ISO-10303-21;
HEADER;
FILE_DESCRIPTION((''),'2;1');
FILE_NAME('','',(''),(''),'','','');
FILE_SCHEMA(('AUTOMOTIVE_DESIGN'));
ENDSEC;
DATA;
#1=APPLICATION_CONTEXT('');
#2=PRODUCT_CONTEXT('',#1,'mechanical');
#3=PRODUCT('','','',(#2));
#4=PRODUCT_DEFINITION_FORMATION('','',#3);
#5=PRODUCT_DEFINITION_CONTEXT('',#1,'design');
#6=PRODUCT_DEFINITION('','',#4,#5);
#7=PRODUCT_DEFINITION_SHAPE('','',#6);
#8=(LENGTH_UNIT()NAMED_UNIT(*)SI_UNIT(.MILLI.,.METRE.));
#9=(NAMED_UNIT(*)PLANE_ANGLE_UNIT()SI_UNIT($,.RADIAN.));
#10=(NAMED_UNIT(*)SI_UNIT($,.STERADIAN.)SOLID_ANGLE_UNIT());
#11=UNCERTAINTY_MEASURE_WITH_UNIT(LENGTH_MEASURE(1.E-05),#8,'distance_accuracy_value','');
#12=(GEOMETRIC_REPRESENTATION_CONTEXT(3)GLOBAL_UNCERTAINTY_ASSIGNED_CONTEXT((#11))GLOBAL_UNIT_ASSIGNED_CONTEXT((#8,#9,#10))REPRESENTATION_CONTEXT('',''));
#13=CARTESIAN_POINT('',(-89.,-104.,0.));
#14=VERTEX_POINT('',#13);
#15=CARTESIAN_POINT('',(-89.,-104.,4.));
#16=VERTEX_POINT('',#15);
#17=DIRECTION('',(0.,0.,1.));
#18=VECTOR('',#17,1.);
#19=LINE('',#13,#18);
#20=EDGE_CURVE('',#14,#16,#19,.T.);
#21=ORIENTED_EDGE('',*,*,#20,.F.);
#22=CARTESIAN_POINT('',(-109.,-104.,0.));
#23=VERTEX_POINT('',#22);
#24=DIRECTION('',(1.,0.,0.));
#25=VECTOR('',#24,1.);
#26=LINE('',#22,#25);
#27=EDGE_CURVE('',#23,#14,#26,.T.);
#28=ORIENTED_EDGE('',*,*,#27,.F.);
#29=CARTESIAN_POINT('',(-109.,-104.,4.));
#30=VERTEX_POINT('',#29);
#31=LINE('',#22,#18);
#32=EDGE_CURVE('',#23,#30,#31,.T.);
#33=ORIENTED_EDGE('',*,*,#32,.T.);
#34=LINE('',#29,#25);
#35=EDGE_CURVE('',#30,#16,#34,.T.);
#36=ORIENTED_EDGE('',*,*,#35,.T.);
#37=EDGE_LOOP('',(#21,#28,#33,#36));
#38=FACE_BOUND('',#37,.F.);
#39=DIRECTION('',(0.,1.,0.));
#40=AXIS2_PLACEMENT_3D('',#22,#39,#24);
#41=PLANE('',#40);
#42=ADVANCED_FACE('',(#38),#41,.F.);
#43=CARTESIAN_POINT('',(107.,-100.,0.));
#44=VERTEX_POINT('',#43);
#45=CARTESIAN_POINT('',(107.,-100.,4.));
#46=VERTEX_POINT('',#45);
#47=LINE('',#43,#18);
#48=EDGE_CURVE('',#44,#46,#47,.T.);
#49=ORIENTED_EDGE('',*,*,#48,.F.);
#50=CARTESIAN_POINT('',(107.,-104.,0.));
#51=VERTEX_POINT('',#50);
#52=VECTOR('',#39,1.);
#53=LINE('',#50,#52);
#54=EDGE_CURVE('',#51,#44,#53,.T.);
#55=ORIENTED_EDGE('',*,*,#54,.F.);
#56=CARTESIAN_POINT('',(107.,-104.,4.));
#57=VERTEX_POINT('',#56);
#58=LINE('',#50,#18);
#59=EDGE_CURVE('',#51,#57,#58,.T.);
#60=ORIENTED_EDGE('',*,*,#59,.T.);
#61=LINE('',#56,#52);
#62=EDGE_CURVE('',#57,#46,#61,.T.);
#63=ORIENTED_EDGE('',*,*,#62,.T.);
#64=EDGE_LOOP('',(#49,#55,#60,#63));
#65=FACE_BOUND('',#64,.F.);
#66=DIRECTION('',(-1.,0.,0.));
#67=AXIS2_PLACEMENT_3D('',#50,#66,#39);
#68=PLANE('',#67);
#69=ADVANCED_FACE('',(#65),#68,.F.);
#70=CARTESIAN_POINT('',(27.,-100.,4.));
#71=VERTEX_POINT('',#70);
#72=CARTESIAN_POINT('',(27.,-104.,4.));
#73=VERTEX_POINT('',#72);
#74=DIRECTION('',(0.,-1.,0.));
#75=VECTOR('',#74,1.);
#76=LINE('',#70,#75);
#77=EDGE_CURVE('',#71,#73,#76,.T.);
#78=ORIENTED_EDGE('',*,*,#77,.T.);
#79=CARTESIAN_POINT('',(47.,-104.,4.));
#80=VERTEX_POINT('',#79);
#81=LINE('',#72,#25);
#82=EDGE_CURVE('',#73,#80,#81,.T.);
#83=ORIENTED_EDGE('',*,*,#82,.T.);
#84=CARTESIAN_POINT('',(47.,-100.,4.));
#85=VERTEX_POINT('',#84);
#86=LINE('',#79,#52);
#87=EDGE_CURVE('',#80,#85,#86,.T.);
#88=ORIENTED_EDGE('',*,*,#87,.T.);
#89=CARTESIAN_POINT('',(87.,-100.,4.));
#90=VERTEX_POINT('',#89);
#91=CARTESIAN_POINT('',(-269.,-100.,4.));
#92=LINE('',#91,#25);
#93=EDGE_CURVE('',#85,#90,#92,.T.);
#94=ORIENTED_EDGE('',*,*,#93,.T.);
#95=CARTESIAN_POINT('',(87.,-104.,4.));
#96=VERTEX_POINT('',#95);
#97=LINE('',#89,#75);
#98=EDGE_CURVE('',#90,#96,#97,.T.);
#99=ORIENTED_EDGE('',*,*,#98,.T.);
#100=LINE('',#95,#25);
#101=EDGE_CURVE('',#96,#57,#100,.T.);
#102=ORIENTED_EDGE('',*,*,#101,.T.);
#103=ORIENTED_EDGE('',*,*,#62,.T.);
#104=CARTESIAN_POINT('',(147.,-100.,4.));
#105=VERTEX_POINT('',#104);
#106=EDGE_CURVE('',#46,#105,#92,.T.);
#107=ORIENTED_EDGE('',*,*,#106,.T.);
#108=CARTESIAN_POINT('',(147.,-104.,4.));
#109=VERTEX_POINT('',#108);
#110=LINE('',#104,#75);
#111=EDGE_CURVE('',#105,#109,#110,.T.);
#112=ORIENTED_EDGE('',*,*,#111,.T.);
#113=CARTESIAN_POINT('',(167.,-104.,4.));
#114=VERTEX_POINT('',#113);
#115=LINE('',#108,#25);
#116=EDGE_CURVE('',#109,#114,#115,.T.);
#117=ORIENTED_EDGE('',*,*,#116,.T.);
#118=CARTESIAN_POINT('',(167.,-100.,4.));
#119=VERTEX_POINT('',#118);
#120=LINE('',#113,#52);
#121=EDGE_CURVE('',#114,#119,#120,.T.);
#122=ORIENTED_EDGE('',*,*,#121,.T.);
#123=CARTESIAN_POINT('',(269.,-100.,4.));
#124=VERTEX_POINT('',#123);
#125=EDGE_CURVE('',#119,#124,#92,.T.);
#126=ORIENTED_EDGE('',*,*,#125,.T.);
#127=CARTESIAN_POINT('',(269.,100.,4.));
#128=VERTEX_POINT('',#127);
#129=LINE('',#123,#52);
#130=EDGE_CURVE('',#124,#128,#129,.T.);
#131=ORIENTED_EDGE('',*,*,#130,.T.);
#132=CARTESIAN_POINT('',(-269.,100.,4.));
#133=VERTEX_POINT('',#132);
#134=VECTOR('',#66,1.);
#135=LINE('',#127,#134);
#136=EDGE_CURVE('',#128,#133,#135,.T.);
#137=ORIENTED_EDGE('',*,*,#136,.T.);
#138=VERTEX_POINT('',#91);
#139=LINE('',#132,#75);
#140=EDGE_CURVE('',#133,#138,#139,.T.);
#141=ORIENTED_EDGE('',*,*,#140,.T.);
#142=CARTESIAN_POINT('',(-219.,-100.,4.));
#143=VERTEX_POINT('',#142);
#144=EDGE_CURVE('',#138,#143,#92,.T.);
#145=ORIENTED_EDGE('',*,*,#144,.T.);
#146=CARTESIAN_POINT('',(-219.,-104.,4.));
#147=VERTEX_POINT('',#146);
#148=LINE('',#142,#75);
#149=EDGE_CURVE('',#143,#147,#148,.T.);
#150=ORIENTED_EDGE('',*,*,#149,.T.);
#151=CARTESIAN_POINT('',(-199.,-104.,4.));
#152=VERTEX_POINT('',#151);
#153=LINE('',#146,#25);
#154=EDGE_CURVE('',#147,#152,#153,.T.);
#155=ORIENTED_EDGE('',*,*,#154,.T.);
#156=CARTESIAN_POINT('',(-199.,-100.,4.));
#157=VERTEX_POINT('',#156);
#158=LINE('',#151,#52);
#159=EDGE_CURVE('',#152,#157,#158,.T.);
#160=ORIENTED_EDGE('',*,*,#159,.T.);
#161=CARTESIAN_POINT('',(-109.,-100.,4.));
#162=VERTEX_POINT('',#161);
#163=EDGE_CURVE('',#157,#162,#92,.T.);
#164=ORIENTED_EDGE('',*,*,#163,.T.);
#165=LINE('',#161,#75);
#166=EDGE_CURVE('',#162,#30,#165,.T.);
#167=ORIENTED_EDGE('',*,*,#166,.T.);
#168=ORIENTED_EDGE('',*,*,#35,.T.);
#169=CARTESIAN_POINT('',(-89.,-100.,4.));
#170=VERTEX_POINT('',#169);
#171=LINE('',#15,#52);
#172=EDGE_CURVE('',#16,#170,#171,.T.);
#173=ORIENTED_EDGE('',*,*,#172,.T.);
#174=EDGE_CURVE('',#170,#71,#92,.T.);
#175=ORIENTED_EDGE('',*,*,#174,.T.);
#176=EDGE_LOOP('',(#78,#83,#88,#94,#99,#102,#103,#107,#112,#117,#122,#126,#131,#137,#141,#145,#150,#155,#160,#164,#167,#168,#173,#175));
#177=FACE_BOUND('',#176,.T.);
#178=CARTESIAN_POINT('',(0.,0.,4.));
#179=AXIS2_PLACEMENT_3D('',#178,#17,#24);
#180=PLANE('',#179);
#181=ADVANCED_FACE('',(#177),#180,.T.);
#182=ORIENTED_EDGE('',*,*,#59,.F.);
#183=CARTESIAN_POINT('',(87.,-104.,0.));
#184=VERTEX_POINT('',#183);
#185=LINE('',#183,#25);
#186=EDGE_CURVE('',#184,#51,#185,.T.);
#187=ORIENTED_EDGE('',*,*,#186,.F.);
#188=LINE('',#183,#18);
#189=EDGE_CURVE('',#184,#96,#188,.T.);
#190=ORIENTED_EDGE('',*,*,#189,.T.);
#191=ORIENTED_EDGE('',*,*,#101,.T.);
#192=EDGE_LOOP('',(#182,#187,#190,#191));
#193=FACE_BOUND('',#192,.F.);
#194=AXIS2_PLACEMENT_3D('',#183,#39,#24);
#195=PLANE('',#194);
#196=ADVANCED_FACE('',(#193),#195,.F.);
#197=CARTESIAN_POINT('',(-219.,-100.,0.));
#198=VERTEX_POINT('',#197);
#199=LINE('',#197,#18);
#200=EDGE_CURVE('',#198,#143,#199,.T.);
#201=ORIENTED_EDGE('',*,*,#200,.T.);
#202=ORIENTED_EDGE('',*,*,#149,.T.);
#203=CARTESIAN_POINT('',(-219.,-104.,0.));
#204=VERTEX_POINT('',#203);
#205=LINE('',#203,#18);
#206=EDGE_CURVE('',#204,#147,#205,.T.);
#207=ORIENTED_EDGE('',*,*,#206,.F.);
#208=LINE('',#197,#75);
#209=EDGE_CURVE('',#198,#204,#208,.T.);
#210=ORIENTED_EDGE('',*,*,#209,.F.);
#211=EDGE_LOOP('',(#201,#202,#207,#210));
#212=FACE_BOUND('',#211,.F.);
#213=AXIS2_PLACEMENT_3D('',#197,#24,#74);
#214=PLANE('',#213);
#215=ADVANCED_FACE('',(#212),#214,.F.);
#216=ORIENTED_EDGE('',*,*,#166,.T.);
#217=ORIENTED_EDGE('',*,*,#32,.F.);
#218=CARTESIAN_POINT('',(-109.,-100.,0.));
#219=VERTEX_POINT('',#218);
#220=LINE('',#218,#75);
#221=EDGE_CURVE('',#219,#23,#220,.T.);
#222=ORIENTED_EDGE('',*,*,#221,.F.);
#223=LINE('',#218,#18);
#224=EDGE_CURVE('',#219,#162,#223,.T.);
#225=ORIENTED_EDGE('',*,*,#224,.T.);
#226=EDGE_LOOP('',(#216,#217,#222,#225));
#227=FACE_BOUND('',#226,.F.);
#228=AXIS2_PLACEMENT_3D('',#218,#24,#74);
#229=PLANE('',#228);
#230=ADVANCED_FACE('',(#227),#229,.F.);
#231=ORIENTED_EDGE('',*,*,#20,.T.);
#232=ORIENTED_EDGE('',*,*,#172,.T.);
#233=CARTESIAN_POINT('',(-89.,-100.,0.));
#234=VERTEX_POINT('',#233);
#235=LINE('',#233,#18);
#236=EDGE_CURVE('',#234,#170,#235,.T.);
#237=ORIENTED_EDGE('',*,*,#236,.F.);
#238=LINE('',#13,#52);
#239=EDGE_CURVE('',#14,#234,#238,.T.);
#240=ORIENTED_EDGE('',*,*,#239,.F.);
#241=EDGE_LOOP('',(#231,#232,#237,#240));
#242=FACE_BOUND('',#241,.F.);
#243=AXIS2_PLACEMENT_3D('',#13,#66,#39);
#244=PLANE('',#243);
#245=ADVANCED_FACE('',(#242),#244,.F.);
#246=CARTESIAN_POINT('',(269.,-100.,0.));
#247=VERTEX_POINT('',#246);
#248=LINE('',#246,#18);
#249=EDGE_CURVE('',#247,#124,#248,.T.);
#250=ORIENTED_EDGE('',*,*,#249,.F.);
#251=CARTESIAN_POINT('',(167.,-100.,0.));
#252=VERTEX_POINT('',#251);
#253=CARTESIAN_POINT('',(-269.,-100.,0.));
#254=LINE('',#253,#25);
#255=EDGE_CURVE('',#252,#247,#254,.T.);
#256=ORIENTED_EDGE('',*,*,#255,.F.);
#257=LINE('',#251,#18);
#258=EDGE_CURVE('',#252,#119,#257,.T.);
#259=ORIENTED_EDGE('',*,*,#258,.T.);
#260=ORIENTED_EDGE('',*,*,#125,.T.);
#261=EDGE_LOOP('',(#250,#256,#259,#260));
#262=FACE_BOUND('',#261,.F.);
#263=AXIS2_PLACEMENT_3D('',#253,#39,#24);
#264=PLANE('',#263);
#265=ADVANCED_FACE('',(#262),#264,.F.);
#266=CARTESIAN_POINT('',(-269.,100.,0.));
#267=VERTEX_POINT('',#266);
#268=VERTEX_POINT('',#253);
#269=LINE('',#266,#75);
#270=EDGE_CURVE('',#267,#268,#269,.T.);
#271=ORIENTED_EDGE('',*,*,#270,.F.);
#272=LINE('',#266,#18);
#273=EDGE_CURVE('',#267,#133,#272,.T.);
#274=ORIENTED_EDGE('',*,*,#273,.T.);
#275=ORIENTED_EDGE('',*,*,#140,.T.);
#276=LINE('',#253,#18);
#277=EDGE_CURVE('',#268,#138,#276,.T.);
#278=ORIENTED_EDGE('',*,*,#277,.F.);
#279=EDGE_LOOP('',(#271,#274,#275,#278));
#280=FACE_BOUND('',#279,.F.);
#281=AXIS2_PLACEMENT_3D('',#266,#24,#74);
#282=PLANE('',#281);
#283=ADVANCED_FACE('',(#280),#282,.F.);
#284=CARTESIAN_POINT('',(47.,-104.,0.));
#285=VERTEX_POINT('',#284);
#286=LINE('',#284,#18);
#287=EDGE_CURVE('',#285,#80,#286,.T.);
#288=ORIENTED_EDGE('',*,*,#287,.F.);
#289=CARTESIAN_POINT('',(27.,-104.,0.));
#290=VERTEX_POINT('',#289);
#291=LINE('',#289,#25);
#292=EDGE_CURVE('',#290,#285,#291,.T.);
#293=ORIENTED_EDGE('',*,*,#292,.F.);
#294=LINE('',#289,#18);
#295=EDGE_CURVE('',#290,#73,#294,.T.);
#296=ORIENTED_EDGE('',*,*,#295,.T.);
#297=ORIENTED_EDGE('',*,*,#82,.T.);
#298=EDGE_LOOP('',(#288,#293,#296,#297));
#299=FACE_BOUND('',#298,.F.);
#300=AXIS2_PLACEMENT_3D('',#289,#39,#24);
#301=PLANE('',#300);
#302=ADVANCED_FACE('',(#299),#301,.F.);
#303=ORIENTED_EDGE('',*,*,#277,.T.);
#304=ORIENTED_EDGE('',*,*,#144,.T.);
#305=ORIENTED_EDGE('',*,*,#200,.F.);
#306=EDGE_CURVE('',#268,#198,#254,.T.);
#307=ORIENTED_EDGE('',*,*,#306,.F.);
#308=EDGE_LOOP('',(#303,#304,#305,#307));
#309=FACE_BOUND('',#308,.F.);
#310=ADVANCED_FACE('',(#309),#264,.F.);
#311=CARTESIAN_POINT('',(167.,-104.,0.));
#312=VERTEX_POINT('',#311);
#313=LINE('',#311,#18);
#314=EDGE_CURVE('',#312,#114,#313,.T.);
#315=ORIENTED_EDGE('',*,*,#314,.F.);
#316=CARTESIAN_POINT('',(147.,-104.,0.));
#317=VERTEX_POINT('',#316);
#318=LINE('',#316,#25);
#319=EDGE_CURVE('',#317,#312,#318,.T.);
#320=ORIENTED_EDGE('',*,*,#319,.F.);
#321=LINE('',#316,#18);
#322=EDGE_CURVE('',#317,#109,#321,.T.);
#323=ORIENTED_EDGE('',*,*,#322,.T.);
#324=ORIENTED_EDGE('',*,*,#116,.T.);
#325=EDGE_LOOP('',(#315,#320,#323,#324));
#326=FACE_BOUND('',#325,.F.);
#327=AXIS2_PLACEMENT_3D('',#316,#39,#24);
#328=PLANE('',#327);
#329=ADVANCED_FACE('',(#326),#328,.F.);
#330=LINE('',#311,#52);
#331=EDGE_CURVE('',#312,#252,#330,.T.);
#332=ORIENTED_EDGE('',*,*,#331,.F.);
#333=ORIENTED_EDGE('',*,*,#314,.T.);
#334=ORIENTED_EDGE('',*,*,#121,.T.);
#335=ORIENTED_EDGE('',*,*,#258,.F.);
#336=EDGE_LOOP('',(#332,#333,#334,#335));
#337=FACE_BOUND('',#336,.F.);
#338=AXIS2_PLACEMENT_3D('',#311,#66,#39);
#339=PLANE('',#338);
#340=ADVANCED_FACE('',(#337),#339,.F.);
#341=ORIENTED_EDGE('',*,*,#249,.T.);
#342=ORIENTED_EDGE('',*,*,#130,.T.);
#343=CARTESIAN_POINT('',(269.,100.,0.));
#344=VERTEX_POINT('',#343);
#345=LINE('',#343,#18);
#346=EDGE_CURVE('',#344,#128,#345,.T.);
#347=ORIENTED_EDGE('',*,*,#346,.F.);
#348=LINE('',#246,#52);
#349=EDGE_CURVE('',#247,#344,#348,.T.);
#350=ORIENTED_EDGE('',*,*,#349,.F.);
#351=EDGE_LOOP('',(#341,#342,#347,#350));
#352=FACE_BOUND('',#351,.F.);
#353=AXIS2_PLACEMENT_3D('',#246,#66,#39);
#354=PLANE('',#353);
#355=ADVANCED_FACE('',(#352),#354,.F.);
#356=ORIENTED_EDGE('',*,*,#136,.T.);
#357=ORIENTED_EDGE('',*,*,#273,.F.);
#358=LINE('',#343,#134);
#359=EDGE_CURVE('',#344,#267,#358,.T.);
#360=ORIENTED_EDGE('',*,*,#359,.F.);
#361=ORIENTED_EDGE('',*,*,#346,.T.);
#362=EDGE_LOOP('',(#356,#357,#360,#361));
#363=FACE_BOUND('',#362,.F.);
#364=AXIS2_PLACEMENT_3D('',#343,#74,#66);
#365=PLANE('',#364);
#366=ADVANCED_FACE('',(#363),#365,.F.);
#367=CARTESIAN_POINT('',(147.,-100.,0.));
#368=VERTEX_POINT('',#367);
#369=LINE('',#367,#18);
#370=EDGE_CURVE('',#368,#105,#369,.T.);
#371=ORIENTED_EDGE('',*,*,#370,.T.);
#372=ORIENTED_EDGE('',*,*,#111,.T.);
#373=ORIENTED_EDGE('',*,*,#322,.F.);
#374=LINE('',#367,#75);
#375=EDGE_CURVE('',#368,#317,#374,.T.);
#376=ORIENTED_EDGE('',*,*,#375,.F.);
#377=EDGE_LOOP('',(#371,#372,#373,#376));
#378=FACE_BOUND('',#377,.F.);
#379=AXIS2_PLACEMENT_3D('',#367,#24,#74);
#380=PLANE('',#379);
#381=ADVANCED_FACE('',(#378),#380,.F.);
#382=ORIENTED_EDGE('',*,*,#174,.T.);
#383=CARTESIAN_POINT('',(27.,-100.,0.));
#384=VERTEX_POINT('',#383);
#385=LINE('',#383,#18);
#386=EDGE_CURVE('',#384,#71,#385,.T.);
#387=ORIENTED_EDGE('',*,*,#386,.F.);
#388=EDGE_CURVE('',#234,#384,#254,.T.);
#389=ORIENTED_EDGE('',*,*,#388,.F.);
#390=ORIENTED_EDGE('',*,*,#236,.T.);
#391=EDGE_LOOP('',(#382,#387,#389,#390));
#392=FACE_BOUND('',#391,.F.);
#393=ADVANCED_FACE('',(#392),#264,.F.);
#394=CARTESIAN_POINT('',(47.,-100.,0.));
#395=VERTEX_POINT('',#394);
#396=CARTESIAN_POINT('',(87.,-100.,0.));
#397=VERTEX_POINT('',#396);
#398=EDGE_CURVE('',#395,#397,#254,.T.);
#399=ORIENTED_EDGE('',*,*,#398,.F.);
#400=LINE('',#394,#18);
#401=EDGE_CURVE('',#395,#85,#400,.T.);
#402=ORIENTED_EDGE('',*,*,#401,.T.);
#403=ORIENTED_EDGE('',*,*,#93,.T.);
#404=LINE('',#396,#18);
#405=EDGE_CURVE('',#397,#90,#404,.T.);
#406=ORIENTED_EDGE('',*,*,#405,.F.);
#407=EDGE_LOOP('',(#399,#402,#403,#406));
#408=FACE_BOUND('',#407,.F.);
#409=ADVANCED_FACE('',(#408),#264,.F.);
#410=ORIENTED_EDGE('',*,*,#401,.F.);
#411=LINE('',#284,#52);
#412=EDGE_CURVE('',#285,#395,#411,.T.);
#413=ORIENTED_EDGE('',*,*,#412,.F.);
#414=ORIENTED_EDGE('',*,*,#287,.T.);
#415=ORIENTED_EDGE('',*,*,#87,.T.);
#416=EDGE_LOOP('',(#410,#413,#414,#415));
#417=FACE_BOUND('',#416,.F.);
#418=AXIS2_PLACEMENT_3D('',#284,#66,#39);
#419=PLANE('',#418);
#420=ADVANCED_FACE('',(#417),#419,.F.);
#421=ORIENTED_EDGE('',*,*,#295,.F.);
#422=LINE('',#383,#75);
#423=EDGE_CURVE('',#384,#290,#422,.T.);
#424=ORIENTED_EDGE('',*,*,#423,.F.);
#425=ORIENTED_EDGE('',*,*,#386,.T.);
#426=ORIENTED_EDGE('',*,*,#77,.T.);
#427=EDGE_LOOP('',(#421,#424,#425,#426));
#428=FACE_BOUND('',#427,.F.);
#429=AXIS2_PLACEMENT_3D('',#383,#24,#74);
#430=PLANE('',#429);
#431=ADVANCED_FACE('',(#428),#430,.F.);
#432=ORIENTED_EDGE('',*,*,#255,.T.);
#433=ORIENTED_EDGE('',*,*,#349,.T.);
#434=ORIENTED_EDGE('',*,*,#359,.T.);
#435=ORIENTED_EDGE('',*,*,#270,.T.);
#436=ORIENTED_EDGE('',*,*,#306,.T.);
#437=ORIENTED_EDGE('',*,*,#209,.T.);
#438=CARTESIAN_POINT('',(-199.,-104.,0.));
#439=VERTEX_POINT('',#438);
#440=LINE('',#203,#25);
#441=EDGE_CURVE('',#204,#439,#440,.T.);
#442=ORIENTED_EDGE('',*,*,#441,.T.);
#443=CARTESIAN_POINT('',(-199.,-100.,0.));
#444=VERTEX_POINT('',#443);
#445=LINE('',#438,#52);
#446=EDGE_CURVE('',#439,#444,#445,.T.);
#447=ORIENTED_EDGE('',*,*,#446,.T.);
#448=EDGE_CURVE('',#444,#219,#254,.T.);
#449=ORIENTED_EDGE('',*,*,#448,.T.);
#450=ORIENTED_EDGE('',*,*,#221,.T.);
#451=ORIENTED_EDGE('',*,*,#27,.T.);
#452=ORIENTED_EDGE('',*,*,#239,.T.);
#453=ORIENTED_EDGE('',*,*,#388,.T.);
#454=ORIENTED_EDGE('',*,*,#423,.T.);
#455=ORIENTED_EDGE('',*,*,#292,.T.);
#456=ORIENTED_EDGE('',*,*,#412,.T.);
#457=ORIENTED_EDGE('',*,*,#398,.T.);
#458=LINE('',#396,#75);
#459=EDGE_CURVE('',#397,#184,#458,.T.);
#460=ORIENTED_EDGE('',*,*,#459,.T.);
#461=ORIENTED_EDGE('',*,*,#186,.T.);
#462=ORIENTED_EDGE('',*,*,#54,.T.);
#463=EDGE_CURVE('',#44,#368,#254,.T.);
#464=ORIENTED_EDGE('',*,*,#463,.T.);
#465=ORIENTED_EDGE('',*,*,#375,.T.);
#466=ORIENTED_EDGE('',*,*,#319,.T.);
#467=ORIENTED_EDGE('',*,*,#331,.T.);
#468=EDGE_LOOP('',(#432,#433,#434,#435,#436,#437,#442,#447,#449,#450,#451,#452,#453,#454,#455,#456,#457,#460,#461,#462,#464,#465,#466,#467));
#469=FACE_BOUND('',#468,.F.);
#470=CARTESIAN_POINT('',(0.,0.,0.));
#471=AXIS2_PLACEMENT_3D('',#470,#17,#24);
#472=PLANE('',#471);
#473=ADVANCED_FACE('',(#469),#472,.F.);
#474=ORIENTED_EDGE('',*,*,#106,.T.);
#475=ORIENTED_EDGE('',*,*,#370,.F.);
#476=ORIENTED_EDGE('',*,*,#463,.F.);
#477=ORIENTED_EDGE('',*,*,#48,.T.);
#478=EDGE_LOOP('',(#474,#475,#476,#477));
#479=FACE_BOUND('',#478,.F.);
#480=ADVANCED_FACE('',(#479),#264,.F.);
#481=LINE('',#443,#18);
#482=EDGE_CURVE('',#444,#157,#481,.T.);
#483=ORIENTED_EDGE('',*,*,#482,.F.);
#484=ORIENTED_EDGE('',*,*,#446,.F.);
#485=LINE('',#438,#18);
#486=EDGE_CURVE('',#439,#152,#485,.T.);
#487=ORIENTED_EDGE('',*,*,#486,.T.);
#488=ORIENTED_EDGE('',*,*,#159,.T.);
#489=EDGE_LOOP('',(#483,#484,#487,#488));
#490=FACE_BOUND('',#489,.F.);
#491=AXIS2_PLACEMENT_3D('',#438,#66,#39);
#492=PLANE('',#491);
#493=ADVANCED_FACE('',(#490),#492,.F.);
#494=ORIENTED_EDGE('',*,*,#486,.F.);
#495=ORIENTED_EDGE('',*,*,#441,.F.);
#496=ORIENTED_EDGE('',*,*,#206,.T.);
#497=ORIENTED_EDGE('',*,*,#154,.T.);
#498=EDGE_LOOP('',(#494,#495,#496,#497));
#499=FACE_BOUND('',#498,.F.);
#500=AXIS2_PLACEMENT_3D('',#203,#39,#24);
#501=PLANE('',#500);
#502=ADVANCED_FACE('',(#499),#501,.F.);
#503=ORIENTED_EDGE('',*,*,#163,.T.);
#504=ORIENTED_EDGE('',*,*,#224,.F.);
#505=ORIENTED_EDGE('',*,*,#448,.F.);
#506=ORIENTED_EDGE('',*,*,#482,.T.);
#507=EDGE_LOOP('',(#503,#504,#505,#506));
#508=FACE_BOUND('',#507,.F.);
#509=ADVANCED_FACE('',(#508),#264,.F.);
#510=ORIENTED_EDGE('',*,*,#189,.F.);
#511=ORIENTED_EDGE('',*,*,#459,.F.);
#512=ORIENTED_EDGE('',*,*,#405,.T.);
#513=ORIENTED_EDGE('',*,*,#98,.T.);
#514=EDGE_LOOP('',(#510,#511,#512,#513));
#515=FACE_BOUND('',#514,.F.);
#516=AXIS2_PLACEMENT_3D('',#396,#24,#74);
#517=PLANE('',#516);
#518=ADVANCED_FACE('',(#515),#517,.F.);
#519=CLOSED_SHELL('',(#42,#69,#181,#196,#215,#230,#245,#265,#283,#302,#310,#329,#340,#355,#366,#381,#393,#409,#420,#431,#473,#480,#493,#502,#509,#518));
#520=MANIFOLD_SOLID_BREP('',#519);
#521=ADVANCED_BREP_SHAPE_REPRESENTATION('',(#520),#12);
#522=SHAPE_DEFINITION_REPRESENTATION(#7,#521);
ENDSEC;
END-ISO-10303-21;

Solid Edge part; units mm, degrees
sketch "Sketch1" plane through (0, 0, 0) normal (0, 0, 1) x (1, 0, 0)
  line L0 (-269, -100) -> (269, -100)
  line L1 (269, -100) -> (269, 100)
  line L2 (269, 100) -> (-269, 100)
  line L3 (-269, 100) -> (-269, -100)
  line L4 (-199, -100) -> (-219, -100)
  line L5 (-219, -100) -> (-219, -104)
  line L6 (-219, -104) -> (-199, -104)
  line L7 (-199, -104) -> (-199, -100)
  line L8 (-109, -104) -> (-89, -104)
  line L9 (-89, -104) -> (-89, -100)
  line L10 (-89, -100) -> (-109, -100)
  line L11 (-109, -100) -> (-109, -104)
  line L12 (27, -104) -> (47, -104)
  line L13 (47, -104) -> (47, -100)
  line L14 (47, -100) -> (27, -100)
  line L15 (27, -100) -> (27, -104)
  line L16 (87, -104) -> (107, -104)
  line L17 (107, -104) -> (107, -100)
  line L18 (107, -100) -> (87, -100)
  line L19 (87, -100) -> (87, -104)
  line L20 (147, -104) -> (167, -104)
  line L21 (167, -104) -> (167, -100)
  line L22 (167, -100) -> (147, -100)
  line L23 (147, -100) -> (147, -104)
  dimension "D1" = 200
  dimension "D2" = 20
  dimension "D3" = 20
  dimension "D4" = 20
  dimension "D5" = 20
  dimension "D6" = 50
  dimension "D7" = 90
  dimension "D8" = 116
  dimension "D9" = 40
  dimension "D10" = 20
  dimension "D11" = 40
  dimension "D12" = 102
  dimension "D13" = 538
extrude "Protrusion1" add sketch "Sketch1" along normal blind 4
